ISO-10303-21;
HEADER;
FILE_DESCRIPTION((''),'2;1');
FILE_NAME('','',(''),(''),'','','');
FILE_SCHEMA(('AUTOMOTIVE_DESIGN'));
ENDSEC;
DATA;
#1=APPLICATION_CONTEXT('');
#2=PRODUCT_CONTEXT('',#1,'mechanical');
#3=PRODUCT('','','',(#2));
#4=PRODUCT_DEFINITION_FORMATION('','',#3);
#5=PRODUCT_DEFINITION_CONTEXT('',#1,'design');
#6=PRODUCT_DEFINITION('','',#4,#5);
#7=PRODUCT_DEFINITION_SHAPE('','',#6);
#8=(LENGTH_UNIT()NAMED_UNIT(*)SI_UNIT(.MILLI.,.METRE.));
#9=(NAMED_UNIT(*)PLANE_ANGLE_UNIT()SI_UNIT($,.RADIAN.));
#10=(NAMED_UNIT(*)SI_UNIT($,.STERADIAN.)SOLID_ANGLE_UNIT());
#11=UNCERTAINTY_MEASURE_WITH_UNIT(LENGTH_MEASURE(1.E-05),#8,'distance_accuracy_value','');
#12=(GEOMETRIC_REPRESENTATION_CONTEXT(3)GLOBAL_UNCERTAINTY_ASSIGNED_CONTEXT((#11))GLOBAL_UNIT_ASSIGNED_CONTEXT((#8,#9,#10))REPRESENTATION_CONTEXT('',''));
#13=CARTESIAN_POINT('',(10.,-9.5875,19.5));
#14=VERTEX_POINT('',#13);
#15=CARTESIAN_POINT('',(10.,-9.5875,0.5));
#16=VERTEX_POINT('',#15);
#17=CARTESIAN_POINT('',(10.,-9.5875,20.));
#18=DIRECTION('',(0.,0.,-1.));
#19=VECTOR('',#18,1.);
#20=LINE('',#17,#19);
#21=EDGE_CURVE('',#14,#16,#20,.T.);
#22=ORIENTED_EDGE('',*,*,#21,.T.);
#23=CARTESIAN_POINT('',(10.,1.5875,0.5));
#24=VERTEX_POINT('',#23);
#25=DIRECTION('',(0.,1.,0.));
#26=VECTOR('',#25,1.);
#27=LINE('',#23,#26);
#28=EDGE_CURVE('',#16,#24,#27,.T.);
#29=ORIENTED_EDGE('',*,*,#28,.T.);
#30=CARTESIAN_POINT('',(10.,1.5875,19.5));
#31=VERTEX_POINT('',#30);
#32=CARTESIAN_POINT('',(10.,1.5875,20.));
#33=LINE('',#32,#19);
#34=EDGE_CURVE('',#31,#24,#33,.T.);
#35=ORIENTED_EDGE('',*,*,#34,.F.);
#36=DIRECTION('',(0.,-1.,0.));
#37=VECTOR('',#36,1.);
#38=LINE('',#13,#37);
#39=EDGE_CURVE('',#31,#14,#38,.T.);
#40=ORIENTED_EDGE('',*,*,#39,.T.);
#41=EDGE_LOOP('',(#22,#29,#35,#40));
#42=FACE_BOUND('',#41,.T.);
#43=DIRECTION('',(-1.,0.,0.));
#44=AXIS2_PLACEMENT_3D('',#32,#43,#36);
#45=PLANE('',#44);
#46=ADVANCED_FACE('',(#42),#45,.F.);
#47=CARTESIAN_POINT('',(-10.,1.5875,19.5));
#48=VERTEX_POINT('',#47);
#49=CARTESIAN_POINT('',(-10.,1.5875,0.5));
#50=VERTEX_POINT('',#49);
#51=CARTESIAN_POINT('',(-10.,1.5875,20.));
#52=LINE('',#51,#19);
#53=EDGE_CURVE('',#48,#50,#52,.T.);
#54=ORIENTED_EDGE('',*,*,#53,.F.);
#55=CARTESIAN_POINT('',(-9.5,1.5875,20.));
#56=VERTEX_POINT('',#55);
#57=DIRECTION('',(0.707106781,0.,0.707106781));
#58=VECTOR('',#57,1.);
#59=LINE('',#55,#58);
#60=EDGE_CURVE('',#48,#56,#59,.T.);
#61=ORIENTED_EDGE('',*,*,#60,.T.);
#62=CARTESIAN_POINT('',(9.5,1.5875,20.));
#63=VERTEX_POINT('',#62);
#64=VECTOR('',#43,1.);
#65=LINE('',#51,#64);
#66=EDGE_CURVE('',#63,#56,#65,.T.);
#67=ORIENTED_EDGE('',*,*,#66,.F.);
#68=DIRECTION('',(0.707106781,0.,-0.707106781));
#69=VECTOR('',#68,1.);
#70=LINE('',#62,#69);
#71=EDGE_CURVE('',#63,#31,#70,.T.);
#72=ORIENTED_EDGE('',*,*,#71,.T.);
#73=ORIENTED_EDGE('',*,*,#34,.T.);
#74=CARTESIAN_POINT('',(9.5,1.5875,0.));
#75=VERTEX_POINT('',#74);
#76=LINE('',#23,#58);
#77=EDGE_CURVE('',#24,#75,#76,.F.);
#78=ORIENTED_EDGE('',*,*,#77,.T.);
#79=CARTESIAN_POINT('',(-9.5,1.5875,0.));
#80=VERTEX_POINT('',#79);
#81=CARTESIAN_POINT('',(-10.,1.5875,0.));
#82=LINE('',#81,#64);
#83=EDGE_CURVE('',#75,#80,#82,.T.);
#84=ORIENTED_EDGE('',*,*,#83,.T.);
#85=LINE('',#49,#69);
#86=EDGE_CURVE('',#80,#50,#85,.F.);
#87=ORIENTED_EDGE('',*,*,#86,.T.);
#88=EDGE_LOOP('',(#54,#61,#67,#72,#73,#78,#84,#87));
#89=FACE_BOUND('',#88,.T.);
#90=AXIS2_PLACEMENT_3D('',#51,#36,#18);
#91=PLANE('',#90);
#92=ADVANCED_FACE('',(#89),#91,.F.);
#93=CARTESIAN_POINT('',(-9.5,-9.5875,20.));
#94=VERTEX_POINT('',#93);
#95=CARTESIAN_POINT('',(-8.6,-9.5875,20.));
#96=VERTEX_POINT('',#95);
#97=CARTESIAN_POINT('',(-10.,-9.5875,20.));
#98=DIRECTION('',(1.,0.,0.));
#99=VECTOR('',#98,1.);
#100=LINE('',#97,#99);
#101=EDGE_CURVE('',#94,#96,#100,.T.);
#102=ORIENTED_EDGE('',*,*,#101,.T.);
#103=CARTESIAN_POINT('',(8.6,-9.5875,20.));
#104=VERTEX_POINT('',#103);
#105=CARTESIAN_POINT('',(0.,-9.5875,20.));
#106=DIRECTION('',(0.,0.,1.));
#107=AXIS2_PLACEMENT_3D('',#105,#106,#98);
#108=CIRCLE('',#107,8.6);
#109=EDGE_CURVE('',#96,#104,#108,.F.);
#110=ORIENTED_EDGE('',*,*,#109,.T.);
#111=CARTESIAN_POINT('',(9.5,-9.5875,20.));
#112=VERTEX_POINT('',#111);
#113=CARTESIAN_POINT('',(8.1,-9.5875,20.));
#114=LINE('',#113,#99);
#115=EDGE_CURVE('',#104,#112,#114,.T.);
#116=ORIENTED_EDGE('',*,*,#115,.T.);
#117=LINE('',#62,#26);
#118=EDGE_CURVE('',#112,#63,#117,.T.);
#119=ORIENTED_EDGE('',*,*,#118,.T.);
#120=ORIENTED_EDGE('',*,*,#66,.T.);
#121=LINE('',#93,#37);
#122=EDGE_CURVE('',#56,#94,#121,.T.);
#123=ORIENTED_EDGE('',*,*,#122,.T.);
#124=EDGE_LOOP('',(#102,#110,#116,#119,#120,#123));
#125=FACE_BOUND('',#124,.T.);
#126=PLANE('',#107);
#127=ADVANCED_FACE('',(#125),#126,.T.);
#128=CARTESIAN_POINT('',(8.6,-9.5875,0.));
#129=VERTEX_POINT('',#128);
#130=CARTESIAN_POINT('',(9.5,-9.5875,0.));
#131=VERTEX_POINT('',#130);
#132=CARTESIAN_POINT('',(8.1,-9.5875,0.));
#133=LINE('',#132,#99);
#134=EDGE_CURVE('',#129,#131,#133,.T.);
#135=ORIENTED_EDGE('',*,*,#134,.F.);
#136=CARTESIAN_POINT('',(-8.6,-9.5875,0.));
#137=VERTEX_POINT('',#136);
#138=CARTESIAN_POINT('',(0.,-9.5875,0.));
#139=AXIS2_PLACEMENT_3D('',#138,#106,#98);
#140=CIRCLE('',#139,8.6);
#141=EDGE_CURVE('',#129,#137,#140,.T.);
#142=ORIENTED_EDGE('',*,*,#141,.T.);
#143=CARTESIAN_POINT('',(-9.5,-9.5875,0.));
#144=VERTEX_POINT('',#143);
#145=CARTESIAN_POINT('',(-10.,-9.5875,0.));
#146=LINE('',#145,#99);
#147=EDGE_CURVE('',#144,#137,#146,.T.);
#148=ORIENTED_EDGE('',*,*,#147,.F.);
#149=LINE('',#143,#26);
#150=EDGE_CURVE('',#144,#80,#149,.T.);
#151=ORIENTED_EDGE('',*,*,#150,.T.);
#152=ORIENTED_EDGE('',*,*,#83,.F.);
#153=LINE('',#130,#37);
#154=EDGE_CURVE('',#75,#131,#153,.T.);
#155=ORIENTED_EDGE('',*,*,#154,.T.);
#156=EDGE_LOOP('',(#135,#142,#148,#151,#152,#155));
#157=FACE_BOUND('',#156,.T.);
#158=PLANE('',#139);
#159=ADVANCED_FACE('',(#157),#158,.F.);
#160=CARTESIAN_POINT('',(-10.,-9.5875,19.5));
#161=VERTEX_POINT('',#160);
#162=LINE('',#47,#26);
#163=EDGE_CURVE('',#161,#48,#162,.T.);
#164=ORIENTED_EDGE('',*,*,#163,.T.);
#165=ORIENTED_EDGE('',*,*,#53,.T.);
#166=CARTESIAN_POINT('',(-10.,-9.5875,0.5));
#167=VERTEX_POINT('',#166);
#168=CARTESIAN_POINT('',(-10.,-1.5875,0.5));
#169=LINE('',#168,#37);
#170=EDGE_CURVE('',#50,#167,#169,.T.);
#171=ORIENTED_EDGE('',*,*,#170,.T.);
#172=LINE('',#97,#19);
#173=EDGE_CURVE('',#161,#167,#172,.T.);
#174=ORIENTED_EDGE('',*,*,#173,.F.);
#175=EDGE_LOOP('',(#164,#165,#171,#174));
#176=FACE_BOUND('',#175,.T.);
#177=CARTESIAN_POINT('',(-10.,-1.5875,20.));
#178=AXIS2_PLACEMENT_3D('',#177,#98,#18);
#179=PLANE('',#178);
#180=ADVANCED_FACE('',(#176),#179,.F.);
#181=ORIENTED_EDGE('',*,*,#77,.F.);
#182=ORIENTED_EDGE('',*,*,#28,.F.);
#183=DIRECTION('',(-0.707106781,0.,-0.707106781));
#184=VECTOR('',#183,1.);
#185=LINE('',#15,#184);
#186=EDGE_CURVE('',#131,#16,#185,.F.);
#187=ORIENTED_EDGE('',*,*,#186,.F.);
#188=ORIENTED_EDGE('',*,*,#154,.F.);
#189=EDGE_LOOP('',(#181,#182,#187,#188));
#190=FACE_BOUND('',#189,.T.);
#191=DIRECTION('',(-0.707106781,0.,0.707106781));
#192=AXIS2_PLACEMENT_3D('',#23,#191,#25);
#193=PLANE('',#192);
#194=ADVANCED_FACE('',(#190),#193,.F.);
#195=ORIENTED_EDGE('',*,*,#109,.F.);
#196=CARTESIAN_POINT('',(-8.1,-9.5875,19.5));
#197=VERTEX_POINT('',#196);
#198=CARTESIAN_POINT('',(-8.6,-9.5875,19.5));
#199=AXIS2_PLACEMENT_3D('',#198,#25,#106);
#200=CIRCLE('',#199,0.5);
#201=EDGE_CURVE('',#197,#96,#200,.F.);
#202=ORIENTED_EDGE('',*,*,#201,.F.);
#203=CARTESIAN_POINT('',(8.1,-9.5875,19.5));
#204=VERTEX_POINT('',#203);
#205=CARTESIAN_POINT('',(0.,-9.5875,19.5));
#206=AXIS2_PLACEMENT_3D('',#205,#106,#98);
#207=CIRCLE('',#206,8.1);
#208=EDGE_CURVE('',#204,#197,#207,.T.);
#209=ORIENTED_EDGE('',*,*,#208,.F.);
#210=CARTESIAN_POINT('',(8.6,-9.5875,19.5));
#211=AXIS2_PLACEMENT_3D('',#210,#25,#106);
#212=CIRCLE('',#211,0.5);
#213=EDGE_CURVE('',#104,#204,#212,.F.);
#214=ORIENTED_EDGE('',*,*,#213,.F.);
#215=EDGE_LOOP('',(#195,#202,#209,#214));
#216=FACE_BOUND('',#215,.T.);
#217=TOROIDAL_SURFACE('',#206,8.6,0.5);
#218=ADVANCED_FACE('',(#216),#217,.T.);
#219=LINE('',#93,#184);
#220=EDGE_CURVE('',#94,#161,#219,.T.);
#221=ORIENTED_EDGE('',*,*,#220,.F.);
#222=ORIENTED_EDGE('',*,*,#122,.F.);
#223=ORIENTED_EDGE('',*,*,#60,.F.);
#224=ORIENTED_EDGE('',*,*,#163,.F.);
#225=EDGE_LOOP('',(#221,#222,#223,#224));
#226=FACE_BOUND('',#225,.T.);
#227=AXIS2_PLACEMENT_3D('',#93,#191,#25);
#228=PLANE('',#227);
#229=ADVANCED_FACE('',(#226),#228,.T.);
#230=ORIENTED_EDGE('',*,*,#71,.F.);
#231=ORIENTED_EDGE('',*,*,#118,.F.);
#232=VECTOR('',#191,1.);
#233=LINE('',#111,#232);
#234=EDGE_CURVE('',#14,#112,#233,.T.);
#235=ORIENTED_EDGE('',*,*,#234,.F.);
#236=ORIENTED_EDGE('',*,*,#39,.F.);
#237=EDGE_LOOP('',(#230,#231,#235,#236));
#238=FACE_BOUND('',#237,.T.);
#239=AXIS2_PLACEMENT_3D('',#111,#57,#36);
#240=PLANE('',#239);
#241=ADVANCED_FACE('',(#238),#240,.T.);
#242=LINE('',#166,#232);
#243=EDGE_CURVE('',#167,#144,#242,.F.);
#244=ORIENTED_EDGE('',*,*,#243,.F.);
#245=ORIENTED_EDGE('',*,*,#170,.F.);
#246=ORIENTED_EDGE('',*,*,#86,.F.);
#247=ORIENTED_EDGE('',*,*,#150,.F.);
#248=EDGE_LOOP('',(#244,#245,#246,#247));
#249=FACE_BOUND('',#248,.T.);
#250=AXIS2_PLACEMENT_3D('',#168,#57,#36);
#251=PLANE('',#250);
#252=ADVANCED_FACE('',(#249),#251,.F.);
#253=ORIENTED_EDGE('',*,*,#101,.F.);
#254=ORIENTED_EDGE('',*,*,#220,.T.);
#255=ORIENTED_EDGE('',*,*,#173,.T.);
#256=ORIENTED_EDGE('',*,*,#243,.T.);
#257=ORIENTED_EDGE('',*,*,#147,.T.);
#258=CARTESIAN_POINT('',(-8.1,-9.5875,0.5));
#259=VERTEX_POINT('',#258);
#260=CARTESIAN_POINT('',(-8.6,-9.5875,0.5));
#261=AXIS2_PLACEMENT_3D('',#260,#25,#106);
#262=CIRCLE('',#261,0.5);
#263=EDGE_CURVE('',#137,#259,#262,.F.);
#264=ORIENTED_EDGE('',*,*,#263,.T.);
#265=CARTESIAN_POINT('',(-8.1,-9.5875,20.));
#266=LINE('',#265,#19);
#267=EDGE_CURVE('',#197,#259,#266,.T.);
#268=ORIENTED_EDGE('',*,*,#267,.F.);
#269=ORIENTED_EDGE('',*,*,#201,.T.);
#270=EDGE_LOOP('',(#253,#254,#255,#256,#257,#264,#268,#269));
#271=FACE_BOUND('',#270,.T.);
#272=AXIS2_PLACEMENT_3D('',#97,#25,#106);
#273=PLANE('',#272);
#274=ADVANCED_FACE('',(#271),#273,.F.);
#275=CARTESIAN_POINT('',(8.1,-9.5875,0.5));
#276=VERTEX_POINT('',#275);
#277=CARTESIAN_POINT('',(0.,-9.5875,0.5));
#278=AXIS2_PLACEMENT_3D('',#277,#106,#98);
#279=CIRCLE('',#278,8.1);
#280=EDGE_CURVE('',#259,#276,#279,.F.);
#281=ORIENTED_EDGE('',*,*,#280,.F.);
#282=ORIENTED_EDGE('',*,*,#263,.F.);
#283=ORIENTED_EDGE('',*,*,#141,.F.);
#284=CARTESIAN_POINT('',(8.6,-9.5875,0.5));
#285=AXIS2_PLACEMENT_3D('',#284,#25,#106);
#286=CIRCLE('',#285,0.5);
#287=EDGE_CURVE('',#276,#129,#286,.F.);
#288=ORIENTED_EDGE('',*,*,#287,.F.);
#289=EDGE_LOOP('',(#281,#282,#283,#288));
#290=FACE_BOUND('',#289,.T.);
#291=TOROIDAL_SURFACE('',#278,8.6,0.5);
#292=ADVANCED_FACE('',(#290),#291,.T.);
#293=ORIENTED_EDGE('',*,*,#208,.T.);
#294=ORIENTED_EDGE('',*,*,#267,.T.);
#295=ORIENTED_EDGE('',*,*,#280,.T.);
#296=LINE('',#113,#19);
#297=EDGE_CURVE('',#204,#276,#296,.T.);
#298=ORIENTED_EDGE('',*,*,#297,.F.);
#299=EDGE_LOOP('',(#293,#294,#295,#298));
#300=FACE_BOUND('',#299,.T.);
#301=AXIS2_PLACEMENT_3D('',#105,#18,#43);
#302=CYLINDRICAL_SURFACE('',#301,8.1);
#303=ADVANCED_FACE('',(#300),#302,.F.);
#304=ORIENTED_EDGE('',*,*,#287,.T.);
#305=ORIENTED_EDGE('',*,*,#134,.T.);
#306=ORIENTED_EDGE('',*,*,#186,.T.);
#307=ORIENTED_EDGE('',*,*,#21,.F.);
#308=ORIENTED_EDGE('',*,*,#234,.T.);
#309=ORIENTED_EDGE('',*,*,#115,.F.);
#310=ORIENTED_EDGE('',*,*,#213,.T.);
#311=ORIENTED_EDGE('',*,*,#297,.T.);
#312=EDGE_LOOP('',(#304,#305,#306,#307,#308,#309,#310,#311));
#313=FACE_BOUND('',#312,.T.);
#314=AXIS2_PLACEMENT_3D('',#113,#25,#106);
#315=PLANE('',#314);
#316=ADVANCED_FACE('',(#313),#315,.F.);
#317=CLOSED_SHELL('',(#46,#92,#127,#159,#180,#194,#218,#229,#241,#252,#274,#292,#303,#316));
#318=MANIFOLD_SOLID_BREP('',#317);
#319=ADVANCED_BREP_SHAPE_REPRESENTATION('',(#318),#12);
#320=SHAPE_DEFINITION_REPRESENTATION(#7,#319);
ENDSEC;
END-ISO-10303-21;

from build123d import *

# Parameters (mm, degrees)
EXTRUDE_1_DEPTH = 20
FILLET_1_R      = 0.5
CHAMFER_1_SIZE  = 0.5


with BuildPart() as part:
    # 草图1 → 凸台-拉伸1 (new body)
    with BuildSketch(Plane.XY):
        with BuildLine():
            Line((-10, -1.5875), (-10, -9.5875))
            Line((-10, -9.5875), (-8.1, -9.5875))
            ThreePointArc((-8.1, -9.5875), (0, -1.4875), (8.1, -9.5875))
            Line((8.1, -9.5875), (10, -9.5875))
            Line((10, -9.5875), (10, -1.5875))
            Line((10, -1.5875), (10, 1.5875))
            Line((10, 1.5875), (-10, 1.5875))
            Line((-10, 1.5875), (-10, -1.5875))
        make_face()
    extrude(amount=EXTRUDE_1_DEPTH)

    # 圆角1
    fillet_1_edges = [part.edges().sort_by_distance(p)[0] for p in [
        (0, -1.4875, 20),
        (0, -1.4875, 0),
    ]]
    fillet(fillet_1_edges, radius=FILLET_1_R)

    # 倒角1
    chamfer_1_edges = [part.edges().sort_by_distance(p)[0] for p in [
        (10, -4, 0),
        (-10, -4, 20),
        (10, -4, 20),
        (-10, -4, 0),
    ]]
    chamfer(chamfer_1_edges, length=CHAMFER_1_SIZE)


solid = part.part
